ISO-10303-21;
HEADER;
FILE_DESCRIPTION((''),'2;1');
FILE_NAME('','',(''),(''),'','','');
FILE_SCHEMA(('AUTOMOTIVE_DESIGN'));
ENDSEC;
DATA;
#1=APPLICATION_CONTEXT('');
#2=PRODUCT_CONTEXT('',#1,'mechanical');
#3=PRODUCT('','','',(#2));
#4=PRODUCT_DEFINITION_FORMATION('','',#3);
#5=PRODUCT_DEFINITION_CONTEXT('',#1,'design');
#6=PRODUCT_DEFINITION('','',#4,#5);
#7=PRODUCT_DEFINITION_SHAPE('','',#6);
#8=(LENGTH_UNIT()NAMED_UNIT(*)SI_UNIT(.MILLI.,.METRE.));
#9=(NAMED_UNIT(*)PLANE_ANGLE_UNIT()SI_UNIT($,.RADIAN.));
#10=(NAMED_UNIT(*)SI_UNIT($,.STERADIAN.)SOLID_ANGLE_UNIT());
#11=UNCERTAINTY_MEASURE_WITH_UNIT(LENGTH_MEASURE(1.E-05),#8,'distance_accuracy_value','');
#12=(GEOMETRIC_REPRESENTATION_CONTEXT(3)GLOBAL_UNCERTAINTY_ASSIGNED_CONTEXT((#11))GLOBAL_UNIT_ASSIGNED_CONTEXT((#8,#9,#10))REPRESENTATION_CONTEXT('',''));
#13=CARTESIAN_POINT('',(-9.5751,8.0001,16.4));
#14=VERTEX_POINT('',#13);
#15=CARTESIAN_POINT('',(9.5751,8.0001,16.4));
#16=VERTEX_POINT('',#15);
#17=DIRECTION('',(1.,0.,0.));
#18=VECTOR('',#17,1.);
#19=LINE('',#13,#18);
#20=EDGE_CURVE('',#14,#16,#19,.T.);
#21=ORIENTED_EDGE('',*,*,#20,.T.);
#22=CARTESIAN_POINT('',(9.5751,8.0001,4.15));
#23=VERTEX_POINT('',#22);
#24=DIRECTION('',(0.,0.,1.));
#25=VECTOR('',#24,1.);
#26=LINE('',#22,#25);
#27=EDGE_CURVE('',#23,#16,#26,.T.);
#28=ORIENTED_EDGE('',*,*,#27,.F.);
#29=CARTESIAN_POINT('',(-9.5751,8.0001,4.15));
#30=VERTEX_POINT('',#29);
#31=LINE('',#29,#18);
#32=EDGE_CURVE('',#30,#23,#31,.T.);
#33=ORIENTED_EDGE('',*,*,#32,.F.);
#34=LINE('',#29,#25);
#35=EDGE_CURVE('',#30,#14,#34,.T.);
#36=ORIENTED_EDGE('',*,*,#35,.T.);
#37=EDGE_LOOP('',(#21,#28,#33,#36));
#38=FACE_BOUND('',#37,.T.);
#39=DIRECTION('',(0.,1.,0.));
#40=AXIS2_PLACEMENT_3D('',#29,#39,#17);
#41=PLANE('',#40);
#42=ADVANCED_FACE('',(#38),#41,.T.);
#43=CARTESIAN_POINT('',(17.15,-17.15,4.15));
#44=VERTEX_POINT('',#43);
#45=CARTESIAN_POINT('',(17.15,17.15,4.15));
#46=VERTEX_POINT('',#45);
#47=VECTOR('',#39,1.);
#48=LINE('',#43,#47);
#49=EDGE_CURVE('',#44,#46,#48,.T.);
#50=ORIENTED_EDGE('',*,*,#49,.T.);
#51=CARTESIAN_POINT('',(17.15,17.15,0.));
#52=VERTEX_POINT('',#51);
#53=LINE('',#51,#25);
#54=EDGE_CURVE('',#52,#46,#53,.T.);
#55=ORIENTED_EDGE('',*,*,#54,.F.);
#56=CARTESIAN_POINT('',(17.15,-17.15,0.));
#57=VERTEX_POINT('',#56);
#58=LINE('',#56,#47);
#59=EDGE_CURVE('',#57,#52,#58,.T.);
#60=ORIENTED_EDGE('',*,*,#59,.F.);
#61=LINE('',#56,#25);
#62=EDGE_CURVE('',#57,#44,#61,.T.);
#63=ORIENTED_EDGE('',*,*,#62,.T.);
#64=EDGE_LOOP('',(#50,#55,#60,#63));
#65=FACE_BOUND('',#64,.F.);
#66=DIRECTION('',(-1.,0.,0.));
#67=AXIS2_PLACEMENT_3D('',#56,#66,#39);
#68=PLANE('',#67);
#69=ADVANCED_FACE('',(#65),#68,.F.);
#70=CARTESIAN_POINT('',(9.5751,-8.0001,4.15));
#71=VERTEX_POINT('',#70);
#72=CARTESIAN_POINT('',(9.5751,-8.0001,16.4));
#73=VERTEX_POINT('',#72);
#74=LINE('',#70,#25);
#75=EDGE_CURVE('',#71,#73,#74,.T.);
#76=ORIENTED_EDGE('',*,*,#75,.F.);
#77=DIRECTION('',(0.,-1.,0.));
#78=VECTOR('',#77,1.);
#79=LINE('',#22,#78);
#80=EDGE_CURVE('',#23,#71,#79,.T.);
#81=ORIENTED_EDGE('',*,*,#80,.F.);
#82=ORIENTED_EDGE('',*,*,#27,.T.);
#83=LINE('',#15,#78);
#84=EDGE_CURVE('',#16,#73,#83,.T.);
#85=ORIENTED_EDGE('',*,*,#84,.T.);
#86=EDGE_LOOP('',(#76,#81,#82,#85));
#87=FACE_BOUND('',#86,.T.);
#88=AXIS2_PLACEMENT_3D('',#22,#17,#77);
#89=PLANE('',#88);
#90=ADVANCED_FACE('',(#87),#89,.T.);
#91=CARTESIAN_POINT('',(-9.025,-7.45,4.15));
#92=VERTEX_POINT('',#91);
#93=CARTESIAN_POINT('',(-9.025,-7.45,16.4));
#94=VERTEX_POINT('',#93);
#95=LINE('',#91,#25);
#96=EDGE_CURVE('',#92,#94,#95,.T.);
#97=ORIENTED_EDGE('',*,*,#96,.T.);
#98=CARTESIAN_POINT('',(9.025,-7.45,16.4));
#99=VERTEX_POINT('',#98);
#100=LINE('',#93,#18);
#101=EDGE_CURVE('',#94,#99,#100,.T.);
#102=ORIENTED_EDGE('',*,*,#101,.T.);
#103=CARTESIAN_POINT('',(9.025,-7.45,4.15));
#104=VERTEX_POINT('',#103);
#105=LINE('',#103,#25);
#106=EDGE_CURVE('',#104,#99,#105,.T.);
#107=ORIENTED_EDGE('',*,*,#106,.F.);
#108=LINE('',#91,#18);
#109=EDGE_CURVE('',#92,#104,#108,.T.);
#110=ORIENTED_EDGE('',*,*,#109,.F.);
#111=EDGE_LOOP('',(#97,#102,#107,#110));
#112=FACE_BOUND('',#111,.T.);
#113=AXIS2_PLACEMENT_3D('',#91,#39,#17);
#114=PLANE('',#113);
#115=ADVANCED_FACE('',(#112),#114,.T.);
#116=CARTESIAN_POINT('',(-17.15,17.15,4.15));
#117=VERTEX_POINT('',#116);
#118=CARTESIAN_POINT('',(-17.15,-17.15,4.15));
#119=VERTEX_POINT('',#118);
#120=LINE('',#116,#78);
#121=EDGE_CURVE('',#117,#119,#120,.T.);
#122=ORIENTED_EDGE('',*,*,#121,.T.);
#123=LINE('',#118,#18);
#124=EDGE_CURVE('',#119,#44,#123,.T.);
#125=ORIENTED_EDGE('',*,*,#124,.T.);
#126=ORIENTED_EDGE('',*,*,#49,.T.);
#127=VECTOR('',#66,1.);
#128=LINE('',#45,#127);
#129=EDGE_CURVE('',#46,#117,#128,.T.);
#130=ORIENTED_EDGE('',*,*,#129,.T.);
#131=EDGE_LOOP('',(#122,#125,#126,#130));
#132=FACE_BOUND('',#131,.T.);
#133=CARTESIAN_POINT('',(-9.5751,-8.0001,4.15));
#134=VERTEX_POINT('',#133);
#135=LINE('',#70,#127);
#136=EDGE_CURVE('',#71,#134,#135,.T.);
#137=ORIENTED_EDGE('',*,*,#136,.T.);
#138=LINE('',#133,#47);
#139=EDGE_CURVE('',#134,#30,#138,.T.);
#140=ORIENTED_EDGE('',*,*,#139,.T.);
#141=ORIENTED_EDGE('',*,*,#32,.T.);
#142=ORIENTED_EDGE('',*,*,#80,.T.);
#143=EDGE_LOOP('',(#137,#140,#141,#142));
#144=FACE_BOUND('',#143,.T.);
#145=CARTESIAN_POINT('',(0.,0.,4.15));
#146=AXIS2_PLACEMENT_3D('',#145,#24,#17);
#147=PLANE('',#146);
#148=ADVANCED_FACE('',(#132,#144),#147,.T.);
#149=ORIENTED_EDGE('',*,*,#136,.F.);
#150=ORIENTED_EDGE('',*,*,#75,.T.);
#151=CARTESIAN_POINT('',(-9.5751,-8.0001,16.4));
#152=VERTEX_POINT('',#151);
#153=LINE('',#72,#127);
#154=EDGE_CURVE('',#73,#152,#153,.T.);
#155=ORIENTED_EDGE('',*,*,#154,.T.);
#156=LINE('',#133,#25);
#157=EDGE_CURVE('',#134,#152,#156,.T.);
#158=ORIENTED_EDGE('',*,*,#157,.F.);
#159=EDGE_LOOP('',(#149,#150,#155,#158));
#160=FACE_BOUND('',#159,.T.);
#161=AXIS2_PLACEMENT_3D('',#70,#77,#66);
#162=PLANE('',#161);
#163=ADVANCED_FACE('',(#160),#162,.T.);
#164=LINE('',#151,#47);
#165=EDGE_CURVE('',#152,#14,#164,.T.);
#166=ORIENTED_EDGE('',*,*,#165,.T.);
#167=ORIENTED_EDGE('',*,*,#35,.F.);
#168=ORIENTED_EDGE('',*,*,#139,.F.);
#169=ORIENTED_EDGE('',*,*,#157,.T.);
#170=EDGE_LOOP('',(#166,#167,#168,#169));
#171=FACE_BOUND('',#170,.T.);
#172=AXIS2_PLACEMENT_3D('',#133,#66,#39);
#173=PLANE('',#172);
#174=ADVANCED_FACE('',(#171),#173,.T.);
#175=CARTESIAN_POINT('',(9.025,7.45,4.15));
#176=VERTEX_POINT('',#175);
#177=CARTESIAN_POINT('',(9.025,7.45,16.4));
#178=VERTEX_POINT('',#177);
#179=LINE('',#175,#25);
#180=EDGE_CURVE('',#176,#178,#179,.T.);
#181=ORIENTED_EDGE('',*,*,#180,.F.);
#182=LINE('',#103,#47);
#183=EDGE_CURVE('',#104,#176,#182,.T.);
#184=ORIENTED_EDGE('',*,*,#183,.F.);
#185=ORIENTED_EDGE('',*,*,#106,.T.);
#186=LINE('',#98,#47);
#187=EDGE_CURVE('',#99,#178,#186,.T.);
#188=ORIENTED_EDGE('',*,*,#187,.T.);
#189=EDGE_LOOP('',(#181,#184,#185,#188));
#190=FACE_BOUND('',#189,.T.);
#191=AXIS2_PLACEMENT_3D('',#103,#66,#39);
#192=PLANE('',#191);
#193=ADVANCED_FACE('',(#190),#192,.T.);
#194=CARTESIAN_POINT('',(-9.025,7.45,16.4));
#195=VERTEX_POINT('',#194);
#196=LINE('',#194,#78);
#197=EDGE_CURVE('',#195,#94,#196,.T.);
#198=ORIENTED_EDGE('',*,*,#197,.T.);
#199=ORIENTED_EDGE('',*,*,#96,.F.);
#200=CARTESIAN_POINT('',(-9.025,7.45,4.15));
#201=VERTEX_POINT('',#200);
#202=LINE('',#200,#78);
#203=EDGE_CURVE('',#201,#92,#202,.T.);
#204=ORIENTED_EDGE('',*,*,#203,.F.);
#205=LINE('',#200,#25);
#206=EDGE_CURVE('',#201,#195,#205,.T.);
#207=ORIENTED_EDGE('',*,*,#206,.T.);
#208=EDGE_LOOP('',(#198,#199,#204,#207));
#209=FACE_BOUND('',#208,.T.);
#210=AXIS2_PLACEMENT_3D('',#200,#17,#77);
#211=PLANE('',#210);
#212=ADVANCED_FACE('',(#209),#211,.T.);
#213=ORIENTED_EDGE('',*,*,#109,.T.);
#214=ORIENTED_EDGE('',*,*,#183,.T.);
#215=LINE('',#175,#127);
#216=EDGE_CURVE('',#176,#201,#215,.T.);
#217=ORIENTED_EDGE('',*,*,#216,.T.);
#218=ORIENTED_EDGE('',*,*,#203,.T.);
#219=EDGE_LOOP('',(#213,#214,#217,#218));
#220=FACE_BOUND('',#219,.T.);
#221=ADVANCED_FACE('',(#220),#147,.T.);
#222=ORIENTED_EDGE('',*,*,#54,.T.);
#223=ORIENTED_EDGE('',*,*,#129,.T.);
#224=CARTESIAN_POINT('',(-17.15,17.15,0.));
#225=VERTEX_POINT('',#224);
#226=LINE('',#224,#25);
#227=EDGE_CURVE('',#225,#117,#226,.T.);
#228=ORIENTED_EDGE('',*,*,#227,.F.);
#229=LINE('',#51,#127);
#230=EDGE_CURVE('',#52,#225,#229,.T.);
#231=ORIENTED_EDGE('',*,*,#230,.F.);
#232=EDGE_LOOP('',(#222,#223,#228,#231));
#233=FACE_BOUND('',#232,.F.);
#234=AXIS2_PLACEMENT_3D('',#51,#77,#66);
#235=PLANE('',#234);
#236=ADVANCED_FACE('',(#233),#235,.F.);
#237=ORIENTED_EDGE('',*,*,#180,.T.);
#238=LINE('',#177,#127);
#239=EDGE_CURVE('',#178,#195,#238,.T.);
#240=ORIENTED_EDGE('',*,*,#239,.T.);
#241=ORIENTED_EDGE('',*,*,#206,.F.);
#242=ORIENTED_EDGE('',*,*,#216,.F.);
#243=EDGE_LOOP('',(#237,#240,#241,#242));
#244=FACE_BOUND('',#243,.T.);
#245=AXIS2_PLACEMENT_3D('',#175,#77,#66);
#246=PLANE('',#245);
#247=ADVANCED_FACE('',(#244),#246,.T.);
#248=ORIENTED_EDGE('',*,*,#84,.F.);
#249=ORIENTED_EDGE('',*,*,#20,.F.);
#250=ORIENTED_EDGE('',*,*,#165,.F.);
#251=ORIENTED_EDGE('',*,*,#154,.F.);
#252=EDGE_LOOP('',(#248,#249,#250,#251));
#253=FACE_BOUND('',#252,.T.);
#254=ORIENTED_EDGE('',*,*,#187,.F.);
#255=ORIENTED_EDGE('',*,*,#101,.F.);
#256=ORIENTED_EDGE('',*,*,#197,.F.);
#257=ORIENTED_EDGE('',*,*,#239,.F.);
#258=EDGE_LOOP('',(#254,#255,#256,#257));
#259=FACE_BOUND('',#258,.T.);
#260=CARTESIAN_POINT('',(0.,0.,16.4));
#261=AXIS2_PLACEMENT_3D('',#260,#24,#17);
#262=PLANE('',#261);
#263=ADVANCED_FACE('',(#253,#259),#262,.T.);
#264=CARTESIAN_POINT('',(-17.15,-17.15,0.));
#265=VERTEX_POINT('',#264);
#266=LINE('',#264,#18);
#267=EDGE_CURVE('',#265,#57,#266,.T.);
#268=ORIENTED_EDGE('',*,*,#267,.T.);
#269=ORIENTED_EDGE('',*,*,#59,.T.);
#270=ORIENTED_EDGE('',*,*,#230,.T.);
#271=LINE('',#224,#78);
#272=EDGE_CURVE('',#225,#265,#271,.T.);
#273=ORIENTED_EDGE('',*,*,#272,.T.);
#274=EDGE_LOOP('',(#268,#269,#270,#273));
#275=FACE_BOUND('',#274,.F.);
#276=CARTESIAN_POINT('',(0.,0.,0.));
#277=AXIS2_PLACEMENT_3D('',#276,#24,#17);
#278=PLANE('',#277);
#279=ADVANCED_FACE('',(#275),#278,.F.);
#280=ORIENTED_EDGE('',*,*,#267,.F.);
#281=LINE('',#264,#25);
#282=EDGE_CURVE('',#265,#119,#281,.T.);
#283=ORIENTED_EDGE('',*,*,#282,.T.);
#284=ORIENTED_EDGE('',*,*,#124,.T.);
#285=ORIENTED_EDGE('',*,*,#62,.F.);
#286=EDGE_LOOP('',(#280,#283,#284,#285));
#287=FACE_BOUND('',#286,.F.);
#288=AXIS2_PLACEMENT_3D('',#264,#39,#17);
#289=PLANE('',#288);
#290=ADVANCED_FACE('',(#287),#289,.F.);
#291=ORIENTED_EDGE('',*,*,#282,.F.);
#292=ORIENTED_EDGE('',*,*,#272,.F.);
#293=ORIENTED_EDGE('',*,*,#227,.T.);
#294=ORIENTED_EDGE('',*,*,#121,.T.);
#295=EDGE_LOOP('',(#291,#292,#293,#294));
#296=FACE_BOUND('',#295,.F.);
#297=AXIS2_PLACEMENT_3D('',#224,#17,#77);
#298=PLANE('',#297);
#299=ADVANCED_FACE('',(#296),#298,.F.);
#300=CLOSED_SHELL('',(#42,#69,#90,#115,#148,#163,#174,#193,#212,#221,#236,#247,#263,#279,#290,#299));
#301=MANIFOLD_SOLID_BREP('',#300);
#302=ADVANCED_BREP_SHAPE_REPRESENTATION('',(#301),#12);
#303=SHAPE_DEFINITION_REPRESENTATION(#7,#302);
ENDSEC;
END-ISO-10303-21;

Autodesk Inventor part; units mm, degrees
ref_plane "YZ Plane" through (0, 0, 0) normal (1, 0, 0) x (0, 1, 0)
ref_plane "XZ Plane" through (0, 0, 0) normal (0, 1, 0) x (-1, 0, 0)
ref_plane "XY Plane" through (0, 0, 0) normal (0, 0, 1) x (1, 0, 0)
sketch "Sketch1" plane through (0, 0, 0) normal (0, 0, 1) x (1, 0, 0)
  line L0 (-17.15, -17.15) -> (17.15, -17.15)
  line L1 (17.15, -17.15) -> (17.15, 17.15)
  line L2 (17.15, 17.15) -> (-17.15, 17.15)
  line L3 (-17.15, 17.15) -> (-17.15, -17.15)
  line L4 (-17.15, -17.15) -> (17.15, 17.15) construction
  line L5 (17.15, -17.15) -> (-17.15, 17.15) construction
  point P0 (0, 0)
  dimension "d0" = 34.3
  dimension "d1" = 34.3
extrude "Extrusion1" add sketch "Sketch1" along normal blind 4.15
sketch "Sketch2" plane through (0, 0, 4.15) normal (0, 0, 1) x (1, 0, 0)
  line L0 (-9.025, -7.45) -> (9.025, -7.45)
  line L1 (9.025, -7.45) -> (9.025, 7.45)
  line L2 (9.025, 7.45) -> (-9.025, 7.45)
  line L3 (-9.025, 7.45) -> (-9.025, -7.45)
  line L4 (-9.025, -7.45) -> (9.025, 7.45) construction
  line L5 (9.025, -7.45) -> (-9.025, 7.45) construction
  line L6 (-9.5751, 8.0001) -> (9.5751, 8.0001)
  line L7 (9.5751, 8.0001) -> (9.5751, -8.0001)
  line L8 (9.5751, -8.0001) -> (-9.5751, -8.0001)
  line L9 (-9.5751, -8.0001) -> (-9.5751, 8.0001)
  point P0 (0, 0)
  dimension "d4" = 18.05
  dimension "d5" = 14.9
extrude "Extrusion2" add sketch "Sketch2" along normal blind 12.25
properties part number "RJ45_bulkhead"
